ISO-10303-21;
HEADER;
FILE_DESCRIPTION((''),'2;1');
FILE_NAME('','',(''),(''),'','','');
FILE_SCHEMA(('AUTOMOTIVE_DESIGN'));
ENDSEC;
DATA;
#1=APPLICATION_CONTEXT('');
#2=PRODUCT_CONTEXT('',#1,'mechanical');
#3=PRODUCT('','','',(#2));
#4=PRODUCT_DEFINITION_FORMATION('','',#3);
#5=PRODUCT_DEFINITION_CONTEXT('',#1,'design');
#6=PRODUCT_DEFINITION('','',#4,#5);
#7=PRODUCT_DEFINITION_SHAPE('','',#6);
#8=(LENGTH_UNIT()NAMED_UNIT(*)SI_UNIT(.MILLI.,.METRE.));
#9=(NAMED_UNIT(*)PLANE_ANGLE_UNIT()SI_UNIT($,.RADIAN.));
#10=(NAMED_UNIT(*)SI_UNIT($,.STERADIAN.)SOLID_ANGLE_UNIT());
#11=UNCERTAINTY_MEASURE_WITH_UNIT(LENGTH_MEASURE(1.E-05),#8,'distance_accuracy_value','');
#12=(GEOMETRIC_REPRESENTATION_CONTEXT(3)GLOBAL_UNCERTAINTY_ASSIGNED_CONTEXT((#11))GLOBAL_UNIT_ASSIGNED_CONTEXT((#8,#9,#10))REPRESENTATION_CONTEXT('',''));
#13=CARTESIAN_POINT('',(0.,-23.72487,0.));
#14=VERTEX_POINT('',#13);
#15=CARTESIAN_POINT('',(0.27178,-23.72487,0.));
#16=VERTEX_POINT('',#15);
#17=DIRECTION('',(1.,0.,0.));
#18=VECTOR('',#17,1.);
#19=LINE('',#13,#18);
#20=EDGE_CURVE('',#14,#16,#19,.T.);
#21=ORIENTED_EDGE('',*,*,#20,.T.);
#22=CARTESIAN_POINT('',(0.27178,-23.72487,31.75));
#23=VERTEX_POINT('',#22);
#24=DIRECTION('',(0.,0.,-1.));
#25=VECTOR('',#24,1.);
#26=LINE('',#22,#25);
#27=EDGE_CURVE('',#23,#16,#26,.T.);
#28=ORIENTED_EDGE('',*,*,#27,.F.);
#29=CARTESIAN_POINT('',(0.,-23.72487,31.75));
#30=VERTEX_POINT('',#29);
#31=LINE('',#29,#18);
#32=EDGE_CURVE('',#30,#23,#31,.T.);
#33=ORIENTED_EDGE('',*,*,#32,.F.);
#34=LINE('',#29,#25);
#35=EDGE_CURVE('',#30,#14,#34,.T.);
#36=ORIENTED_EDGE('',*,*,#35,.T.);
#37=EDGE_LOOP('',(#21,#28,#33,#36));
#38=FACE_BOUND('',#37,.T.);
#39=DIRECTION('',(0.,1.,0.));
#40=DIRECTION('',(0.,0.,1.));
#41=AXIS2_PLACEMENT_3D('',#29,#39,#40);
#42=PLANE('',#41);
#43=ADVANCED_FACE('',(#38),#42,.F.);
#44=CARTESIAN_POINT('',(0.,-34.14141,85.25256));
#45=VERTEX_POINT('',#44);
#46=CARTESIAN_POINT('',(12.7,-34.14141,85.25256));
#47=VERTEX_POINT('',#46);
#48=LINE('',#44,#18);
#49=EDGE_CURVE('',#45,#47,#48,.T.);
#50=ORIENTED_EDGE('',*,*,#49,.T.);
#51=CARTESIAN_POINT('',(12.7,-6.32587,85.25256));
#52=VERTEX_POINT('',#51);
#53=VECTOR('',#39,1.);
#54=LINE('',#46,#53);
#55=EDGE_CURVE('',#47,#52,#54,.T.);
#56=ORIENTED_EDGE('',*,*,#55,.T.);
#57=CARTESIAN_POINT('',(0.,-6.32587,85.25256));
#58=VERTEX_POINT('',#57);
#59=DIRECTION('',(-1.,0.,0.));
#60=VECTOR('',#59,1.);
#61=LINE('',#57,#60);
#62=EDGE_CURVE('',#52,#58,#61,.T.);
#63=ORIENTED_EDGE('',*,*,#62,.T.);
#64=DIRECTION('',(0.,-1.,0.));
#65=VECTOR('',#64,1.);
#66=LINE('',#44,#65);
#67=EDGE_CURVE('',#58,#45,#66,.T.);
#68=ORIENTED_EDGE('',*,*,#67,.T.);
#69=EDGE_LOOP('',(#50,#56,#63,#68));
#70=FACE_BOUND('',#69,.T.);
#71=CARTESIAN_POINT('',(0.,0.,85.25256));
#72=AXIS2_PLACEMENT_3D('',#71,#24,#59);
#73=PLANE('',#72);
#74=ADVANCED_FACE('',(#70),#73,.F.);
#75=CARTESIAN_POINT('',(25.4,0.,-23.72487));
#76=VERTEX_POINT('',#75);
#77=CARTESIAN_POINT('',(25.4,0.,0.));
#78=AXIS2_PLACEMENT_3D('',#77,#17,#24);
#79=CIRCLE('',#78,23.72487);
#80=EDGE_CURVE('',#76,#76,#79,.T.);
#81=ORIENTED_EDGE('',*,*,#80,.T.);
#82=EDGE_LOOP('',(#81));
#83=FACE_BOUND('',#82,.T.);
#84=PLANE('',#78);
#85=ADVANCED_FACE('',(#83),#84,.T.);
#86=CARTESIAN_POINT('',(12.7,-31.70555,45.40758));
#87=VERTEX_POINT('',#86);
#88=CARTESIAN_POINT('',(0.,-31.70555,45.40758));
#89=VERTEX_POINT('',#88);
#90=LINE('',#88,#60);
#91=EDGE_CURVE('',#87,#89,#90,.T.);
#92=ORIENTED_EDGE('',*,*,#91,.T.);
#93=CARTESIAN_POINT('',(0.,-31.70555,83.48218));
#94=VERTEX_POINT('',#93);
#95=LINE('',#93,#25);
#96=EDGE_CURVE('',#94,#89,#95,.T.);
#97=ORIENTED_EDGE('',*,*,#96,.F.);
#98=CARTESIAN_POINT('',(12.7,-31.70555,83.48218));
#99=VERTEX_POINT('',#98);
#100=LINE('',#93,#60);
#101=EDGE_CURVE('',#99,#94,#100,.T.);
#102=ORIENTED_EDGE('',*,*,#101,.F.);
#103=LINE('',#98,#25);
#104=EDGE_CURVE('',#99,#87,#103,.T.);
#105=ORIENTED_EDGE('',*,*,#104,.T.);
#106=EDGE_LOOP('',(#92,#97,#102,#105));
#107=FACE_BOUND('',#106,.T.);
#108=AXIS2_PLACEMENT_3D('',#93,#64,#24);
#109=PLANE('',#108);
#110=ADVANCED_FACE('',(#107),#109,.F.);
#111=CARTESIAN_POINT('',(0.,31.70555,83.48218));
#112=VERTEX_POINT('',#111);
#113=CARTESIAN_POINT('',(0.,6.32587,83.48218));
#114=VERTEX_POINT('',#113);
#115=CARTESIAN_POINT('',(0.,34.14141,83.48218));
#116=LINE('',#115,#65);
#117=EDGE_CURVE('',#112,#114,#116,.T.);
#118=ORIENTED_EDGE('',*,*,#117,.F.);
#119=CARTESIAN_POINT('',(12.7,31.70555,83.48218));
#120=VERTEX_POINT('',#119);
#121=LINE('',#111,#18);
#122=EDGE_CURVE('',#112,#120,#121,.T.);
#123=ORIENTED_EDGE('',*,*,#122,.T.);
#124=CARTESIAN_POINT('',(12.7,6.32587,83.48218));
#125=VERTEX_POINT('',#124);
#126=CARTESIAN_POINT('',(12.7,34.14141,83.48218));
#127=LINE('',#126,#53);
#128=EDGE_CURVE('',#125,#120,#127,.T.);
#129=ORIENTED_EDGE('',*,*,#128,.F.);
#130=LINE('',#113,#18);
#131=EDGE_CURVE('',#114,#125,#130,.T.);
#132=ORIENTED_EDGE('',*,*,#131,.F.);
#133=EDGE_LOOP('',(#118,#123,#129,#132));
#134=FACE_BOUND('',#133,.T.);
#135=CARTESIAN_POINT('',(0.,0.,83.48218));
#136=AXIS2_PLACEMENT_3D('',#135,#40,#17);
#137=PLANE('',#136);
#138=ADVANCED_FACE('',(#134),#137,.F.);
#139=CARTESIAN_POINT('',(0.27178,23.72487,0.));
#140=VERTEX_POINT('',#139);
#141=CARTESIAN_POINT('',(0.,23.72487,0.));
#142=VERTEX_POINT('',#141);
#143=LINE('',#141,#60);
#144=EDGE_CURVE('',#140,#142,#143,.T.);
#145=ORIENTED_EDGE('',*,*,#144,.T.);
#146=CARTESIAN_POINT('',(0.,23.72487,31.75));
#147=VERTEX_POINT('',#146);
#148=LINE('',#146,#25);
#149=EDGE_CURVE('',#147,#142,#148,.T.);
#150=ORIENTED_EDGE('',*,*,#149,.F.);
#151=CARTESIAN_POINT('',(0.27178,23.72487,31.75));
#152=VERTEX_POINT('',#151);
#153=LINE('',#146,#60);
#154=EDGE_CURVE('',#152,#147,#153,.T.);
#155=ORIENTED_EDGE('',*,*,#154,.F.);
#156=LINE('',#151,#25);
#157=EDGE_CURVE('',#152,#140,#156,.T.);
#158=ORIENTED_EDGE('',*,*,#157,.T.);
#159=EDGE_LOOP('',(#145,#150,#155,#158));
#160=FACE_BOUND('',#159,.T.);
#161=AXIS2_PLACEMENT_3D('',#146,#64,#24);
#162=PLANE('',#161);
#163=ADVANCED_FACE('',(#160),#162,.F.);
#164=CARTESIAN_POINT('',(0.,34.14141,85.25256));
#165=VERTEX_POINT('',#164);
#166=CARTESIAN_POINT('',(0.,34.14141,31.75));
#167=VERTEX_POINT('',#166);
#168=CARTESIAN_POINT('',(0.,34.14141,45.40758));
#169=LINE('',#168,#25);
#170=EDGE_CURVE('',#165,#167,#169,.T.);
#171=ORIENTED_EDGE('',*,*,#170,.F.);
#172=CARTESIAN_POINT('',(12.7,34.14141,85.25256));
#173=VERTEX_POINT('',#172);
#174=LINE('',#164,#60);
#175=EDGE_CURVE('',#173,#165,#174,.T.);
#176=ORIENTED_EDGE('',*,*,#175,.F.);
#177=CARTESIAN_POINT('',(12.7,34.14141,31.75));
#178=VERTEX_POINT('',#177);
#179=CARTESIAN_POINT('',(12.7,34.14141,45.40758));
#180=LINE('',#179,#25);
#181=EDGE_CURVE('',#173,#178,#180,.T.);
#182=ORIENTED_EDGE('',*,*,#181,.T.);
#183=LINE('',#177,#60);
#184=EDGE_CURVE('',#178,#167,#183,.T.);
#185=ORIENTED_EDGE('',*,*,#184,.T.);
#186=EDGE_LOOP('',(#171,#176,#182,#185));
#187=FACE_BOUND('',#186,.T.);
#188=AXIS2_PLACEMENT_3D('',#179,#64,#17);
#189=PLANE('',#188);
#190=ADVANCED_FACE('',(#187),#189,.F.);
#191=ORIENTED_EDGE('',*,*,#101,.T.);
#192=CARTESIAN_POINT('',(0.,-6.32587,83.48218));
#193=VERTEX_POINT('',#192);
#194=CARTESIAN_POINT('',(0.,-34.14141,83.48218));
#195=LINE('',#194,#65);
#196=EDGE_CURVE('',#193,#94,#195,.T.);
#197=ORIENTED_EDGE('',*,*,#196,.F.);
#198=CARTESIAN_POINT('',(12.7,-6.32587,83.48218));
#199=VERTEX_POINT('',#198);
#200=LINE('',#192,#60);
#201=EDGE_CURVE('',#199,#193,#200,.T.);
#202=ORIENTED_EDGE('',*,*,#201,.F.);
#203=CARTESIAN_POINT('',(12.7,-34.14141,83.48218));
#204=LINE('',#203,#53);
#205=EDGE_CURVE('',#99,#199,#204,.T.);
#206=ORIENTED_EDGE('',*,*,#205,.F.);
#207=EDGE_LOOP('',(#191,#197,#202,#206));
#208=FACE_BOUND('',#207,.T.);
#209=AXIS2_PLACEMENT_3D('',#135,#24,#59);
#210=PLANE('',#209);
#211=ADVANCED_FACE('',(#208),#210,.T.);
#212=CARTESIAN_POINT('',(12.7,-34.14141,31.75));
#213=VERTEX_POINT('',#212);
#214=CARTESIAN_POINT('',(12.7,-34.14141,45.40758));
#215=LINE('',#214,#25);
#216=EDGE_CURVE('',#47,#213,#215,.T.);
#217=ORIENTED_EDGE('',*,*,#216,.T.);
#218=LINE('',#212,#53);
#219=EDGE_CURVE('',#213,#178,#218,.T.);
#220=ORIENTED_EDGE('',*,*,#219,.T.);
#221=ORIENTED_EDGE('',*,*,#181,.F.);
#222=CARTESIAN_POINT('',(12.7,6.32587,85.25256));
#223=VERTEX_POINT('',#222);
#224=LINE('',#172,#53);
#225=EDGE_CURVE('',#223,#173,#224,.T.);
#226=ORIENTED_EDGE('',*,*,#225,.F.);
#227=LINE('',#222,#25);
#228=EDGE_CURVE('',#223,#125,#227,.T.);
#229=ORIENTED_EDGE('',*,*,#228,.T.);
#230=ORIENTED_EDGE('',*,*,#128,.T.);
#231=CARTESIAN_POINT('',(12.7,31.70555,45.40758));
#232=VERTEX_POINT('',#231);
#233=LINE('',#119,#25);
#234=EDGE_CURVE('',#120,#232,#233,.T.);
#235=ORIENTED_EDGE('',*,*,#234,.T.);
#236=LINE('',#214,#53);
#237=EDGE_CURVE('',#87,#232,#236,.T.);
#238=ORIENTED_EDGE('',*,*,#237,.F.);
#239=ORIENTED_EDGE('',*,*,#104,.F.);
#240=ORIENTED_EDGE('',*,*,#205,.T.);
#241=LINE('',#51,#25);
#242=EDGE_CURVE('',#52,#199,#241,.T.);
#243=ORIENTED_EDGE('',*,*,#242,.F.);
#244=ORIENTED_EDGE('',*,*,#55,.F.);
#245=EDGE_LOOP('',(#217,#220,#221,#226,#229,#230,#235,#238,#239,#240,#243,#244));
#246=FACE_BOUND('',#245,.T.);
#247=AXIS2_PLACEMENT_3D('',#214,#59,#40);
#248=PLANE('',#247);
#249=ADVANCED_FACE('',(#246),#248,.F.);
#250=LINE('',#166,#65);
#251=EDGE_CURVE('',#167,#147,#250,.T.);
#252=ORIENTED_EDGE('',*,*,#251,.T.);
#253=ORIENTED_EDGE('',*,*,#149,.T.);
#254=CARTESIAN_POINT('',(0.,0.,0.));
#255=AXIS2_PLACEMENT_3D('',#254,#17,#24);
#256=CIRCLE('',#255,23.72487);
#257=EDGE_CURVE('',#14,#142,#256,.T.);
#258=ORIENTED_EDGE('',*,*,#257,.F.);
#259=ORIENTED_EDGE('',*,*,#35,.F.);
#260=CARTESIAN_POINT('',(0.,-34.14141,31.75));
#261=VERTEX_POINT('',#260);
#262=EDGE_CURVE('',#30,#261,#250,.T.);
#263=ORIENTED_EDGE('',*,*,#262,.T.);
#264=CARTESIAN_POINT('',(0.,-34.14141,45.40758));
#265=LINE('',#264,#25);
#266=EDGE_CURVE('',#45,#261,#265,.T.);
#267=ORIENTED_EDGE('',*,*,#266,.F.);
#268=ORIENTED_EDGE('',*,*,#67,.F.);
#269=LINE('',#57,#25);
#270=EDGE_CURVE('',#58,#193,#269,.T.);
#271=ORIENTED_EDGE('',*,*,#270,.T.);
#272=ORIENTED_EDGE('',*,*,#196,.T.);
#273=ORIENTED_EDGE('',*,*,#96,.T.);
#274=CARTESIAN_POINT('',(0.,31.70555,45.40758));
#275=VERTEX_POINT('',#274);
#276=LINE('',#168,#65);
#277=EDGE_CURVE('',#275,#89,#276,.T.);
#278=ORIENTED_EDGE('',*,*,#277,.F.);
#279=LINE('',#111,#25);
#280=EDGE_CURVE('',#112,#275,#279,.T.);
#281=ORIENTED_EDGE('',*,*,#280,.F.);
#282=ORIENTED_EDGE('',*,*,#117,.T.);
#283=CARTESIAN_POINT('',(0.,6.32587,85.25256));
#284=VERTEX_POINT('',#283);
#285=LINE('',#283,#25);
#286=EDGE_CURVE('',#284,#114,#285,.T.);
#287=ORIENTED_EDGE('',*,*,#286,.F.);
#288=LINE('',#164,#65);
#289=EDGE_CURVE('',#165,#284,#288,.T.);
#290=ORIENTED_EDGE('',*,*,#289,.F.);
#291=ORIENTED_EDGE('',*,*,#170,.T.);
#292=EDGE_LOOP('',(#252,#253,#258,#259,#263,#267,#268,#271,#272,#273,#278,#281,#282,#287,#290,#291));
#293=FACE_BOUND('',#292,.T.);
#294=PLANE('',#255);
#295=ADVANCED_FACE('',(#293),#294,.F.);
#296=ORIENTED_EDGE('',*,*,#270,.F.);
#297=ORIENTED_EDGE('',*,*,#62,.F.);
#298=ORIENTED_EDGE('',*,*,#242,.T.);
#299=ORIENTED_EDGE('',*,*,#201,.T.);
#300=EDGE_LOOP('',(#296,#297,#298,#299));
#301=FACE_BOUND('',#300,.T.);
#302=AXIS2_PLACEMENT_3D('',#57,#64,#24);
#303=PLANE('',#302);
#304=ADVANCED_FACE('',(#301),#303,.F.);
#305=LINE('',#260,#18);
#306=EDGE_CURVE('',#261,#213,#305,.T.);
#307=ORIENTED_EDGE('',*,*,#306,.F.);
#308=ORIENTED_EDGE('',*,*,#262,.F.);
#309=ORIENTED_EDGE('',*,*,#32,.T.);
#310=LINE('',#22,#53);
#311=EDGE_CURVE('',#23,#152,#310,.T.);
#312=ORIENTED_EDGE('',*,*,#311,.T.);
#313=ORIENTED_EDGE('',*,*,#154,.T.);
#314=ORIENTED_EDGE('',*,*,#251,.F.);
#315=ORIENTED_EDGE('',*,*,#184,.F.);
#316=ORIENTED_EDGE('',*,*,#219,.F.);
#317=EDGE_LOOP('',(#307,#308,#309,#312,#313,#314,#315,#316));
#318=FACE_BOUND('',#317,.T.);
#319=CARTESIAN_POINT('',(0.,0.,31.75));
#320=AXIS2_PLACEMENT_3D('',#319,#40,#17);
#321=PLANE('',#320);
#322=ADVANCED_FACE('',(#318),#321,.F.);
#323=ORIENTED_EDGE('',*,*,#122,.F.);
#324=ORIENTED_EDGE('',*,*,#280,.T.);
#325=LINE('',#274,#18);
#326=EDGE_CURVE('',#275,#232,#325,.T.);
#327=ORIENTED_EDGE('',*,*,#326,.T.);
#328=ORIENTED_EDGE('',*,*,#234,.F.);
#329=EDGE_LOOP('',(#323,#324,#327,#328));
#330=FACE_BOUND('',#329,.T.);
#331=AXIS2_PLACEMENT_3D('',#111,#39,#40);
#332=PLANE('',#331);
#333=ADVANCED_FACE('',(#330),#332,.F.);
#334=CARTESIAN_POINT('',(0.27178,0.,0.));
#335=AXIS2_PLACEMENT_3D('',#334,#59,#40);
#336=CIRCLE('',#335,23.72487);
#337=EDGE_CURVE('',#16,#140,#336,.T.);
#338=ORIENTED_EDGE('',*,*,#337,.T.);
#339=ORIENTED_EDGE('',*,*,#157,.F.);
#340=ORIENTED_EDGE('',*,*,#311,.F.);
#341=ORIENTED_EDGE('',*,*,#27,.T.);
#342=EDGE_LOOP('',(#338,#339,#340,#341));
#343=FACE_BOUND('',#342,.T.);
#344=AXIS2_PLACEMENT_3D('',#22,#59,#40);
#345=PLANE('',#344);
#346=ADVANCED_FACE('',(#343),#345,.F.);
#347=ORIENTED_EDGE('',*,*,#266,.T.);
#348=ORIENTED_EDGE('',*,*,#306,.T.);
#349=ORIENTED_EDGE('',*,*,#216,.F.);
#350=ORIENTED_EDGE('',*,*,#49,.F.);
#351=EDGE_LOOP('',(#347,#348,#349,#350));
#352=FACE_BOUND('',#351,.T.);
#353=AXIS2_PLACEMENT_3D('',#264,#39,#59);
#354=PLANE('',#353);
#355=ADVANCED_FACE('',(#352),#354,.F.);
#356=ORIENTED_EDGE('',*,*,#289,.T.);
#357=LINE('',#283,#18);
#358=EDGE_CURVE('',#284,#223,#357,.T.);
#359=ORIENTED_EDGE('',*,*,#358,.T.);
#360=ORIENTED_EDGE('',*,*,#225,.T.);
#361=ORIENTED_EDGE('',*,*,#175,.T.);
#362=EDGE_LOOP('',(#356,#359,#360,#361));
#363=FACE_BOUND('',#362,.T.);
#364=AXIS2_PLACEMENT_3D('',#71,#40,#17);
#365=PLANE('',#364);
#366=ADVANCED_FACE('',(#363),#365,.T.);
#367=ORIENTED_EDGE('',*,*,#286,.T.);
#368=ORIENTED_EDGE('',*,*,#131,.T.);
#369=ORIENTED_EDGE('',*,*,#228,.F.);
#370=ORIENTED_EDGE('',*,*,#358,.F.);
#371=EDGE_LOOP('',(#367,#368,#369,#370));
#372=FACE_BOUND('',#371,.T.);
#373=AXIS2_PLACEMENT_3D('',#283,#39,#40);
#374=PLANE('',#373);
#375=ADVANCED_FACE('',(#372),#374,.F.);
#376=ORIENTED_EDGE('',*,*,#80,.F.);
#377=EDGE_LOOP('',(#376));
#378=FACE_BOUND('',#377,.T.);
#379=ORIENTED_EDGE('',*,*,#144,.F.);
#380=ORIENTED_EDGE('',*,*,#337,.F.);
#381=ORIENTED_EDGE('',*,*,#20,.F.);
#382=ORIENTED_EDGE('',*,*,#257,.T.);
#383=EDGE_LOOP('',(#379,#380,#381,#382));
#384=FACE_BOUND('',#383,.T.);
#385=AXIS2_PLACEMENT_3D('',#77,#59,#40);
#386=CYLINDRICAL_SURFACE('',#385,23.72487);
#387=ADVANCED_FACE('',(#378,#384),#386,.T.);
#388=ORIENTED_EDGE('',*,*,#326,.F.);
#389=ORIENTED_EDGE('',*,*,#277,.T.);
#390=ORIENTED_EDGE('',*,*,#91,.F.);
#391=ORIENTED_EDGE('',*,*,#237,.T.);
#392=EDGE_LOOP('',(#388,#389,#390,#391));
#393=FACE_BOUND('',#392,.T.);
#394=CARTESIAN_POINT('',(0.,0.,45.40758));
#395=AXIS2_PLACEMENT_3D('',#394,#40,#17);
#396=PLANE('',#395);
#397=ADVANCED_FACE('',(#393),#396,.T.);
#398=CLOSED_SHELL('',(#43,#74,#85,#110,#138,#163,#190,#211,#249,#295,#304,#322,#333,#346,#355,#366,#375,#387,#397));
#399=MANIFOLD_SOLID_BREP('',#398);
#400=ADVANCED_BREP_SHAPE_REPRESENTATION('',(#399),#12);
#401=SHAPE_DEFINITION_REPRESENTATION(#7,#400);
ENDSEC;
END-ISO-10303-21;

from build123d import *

# Parameters (mm, degrees)
SKETCH1_R           = 23.72487
BOSS_EXTRUDE1_DEPTH = 25.4
SKETCH2_W           = 47.44974
SKETCH2_H           = 0.27178
BOSS_EXTRUDE2_DEPTH = 31.75
SKETCH3_W           = 12.7
SKETCH3_H           = 68.28282
BOSS_EXTRUDE3_DEPTH = 13.65758
SKETCH4_W           = 12.7
SKETCH4_H           = 2.43586
BOSS_EXTRUDE4_DEPTH = 38.0746
SKETCH5_W           = 12.7
SKETCH5_H           = 27.81554
BOSS_EXTRUDE5_DEPTH = 1.77038


with BuildPart() as part:
    # Sketch1 → Boss-Extrude1 (new body)
    with BuildSketch(Plane.YZ):
        with Locations(Location((0, 0, 0), (0, 0, 270))):
            Circle(SKETCH1_R)
    extrude(amount=BOSS_EXTRUDE1_DEPTH)

    # Sketch2 → Boss-Extrude2 (add)
    with BuildSketch(Plane(origin=(0, 0, 0), x_dir=(0, 1, 0), z_dir=(0, 0, 1))):
        with Locations((0, -0.13589)):
            Rectangle(SKETCH2_W, SKETCH2_H)
    extrude(amount=BOSS_EXTRUDE2_DEPTH)

    # Sketch3 → Boss-Extrude3 (add)
    with BuildSketch(Plane.XY.offset(31.75)):
        with Locations((6.35, 0)):
            Rectangle(SKETCH3_W, SKETCH3_H)
    extrude(amount=BOSS_EXTRUDE3_DEPTH)

    # Sketch4 → Boss-Extrude4 (add)
    with BuildSketch(Plane.XY.offset(45.40758)):
        with Locations((6.35, 32.92348)):
            Rectangle(SKETCH4_W, SKETCH4_H)
        with Locations((6.35, -32.92348)):
            Rectangle(SKETCH4_W, SKETCH4_H)
    extrude(amount=BOSS_EXTRUDE4_DEPTH)

    # Sketch5 → Boss-Extrude5 (add)
    with BuildSketch(Plane.XY.offset(83.48218)):
        with Locations((6.35, 20.23364)):
            Rectangle(SKETCH5_W, SKETCH5_H)
        with Locations((6.35, -20.23364)):
            Rectangle(SKETCH5_W, SKETCH5_H)
    extrude(amount=BOSS_EXTRUDE5_DEPTH)


solid = part.part
